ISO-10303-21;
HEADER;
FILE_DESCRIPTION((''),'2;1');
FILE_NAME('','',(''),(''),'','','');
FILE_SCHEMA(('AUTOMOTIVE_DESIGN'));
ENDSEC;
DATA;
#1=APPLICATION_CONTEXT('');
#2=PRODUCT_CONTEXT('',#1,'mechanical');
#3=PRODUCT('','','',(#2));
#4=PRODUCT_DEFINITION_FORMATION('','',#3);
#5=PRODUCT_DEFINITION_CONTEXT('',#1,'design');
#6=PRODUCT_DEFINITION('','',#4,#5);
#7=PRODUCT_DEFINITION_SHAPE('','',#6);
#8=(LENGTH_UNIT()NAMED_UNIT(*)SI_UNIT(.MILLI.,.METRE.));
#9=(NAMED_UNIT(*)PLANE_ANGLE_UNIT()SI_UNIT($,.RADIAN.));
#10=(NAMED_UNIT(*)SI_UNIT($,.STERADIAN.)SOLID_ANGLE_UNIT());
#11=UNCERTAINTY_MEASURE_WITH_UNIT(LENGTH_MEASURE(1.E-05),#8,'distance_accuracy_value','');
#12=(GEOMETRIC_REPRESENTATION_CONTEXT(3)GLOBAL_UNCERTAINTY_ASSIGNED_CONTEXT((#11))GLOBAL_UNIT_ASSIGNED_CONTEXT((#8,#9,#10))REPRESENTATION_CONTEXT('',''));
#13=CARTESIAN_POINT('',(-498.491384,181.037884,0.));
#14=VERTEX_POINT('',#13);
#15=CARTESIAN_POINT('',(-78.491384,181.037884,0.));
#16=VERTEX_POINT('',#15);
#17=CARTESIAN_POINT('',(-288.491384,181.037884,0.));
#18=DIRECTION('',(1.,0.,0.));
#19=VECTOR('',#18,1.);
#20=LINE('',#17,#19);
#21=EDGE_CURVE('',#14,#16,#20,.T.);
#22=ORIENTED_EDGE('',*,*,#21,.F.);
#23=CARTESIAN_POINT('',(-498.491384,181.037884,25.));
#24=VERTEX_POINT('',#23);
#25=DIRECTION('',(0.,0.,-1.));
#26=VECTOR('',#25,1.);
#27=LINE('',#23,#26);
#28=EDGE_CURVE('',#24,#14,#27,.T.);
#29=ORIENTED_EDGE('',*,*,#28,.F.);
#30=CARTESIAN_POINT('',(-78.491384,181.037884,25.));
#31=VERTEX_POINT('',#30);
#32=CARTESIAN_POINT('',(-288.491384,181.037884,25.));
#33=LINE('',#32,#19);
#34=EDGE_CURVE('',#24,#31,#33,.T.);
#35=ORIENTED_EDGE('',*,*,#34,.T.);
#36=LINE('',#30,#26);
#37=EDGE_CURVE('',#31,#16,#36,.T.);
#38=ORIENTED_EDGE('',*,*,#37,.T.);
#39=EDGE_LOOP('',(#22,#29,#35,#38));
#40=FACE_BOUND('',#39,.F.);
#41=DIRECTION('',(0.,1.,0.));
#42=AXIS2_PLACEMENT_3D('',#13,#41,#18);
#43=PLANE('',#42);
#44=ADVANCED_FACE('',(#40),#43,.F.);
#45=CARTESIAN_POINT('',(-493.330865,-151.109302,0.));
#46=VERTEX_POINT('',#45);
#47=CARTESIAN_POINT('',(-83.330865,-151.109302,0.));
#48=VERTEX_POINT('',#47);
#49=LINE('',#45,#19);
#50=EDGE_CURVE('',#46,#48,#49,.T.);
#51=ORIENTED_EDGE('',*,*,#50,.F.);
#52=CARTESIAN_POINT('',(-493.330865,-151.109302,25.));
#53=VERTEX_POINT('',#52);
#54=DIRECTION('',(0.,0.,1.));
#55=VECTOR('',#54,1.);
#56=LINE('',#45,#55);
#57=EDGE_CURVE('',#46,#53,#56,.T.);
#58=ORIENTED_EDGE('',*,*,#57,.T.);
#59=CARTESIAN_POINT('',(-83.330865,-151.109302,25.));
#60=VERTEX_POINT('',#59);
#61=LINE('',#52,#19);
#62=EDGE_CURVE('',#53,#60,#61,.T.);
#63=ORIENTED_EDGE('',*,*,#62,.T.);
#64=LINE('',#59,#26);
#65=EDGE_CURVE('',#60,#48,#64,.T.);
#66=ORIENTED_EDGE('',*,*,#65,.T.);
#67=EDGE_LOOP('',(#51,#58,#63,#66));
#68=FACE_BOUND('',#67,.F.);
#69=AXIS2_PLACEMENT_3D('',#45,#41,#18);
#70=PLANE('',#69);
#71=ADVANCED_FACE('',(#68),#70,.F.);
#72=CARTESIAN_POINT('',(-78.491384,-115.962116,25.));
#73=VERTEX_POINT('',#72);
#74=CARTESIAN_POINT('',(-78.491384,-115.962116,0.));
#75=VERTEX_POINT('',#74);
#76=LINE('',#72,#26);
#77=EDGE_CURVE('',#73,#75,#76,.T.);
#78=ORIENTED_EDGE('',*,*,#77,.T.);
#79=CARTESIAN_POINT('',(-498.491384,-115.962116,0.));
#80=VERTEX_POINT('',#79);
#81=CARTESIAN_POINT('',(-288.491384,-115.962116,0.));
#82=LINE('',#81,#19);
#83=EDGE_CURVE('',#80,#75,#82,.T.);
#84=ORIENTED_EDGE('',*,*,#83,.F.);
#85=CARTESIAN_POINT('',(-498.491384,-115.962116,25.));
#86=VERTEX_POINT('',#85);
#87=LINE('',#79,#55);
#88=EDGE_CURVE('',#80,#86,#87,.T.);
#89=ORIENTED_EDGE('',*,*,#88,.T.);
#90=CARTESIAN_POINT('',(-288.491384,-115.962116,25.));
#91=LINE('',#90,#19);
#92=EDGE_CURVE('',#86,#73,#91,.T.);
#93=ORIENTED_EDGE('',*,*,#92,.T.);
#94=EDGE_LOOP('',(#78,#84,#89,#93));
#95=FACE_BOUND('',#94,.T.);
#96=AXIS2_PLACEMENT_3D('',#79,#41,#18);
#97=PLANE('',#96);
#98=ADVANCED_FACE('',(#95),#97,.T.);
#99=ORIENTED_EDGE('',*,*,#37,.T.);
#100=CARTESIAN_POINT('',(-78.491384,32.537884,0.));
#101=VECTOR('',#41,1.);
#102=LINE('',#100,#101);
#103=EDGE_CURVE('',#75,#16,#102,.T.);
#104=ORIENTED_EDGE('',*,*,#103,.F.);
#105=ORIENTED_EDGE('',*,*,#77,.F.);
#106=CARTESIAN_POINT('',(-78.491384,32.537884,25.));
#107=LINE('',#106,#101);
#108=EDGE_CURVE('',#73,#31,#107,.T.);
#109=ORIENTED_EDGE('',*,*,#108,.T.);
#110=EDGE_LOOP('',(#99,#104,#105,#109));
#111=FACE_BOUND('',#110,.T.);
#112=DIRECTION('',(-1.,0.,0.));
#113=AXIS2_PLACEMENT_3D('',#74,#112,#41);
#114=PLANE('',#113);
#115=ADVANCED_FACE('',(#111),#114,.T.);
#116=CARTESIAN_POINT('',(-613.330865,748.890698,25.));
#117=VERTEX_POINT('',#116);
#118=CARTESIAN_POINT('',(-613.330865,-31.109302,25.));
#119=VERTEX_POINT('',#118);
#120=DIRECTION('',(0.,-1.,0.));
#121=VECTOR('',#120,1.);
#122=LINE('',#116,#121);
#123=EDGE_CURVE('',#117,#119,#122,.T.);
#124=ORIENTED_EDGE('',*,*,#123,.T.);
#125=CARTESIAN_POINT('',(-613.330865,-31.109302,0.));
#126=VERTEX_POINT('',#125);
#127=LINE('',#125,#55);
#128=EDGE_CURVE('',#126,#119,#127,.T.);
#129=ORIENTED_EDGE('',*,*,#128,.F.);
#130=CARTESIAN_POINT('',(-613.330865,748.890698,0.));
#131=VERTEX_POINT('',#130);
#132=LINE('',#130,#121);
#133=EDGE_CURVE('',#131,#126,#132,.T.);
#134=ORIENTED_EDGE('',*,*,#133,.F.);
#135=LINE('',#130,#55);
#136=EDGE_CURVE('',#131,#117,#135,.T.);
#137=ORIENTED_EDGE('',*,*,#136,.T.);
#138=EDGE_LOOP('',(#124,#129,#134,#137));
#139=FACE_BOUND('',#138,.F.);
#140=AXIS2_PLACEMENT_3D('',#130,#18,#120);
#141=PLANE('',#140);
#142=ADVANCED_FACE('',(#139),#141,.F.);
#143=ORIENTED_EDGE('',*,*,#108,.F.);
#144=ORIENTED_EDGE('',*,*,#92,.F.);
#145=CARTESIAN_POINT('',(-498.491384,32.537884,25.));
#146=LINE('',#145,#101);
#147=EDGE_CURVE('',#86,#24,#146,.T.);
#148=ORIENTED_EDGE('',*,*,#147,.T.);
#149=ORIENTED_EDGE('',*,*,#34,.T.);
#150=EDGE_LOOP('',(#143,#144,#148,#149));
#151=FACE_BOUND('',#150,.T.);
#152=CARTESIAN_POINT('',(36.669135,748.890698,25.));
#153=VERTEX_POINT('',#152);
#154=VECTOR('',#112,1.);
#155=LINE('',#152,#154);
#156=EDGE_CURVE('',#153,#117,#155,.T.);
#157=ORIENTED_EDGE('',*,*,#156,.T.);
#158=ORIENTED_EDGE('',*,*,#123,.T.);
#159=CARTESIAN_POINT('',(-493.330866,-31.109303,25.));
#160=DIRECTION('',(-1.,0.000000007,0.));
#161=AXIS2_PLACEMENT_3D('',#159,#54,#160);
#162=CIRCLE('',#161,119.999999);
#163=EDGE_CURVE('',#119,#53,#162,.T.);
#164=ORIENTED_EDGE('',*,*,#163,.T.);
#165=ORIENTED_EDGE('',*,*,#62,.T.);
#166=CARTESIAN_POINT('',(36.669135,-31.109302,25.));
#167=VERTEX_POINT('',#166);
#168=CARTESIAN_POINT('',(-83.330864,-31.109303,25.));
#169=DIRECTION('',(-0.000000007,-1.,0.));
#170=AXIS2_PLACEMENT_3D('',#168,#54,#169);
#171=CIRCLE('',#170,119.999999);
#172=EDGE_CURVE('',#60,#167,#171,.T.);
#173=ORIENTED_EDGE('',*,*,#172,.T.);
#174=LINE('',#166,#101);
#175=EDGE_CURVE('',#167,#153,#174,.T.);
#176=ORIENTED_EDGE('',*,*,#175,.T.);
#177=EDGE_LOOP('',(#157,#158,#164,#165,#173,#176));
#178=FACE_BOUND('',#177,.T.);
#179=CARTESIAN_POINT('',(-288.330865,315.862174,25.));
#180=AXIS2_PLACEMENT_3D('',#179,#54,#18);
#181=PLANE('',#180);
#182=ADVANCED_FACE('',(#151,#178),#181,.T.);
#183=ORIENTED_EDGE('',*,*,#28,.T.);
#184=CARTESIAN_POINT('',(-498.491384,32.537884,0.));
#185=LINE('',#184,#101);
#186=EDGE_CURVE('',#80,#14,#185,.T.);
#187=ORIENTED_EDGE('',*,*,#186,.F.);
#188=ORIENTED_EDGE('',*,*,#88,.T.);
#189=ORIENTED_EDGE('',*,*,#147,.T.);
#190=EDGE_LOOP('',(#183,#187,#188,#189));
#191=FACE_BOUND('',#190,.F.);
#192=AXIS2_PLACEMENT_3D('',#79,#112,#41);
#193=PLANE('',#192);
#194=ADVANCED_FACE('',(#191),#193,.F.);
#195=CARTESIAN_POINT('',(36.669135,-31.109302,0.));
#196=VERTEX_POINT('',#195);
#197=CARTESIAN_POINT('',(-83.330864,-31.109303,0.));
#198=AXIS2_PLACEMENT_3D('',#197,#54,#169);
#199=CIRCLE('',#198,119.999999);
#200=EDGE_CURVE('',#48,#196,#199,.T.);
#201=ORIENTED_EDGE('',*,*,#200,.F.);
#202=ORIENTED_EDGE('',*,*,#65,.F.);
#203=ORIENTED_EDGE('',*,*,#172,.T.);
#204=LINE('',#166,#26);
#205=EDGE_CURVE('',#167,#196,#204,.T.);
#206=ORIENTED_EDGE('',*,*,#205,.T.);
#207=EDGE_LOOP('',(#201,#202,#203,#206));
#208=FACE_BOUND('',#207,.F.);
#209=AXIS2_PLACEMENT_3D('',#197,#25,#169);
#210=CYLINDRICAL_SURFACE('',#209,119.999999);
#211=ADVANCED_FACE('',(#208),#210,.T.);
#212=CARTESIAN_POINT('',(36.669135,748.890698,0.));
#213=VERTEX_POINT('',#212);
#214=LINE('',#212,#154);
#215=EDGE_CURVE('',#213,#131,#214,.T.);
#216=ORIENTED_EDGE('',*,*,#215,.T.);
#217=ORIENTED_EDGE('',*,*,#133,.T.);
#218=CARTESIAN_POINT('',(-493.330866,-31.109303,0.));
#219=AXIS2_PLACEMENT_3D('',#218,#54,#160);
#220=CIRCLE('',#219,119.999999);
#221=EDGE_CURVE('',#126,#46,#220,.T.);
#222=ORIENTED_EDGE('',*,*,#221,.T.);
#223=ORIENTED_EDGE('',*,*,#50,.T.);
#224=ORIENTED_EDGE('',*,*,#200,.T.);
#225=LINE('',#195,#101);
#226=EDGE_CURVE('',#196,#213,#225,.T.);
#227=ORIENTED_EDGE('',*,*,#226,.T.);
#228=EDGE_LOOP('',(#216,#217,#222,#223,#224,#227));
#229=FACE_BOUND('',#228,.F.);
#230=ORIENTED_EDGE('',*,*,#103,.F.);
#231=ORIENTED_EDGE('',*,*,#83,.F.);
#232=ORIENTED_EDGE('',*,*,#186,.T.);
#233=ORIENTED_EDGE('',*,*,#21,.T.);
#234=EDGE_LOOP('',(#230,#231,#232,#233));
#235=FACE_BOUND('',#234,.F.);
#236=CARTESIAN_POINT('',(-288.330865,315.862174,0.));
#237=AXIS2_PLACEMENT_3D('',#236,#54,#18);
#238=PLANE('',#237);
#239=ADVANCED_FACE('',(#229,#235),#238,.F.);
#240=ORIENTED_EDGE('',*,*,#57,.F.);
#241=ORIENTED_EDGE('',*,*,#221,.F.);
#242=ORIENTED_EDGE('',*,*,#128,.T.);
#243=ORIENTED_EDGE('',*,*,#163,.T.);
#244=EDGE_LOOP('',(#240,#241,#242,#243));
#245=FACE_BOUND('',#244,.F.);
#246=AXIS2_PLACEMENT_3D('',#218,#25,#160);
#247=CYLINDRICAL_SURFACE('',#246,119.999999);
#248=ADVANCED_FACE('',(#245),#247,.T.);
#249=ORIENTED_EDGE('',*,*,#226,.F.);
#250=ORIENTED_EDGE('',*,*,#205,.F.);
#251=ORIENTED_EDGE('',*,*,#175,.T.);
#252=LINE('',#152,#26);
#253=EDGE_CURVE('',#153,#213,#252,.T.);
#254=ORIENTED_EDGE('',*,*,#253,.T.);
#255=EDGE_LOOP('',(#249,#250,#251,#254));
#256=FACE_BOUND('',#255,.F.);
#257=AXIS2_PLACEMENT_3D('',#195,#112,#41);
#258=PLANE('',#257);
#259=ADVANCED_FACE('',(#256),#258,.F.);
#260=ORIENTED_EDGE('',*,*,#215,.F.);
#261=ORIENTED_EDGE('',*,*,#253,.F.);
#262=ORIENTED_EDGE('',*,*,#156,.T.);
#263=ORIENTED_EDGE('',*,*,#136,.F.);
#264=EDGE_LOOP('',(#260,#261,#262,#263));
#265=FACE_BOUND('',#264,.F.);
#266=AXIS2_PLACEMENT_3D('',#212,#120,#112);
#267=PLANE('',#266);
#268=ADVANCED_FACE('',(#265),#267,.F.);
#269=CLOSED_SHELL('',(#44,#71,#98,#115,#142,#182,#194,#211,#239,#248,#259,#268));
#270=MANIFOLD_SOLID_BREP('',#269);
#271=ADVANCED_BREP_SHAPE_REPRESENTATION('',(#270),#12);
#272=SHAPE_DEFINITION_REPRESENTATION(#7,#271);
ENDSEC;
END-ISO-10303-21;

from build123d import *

# Parameters (mm, degrees)
F0_W     = 420
F0_H     = 297
F1_DEPTH = 18
F2_DEPTH = 25


with BuildPart() as f1:
    # F0 (on Top) → F1 (new body)
    with BuildSketch(Plane.XY):
        with BuildLine():
            Line((36.669135, 748.890698), (-613.330865, 748.890698))
            Line((-613.330865, 748.890698), (-613.330865, -31.109302))
            ThreePointArc((-613.330865, -31.109302), (-578.183679, -115.962116), (-493.330865, -151.109302))
            Line((-493.330865, -151.109302), (-83.330865, -151.109302))
            ThreePointArc((-83.330865, -151.109302), (1.521949, -115.962116), (36.669135, -31.109302))
            Line((36.669135, -31.109302), (36.669135, 748.890698))
        make_face()
        with Locations((-288.491384, 32.537884)):
            Rectangle(F0_W, F0_H, mode=Mode.SUBTRACT)
    extrude(amount=F1_DEPTH)

    # F0 (on Top) → F2 (join)
    with BuildSketch(Plane.XY):
        with BuildLine():
            Line((36.669135, 748.890698), (-613.330865, 748.890698))
            Line((-613.330865, 748.890698), (-613.330865, -31.109302))
            ThreePointArc((-613.330865, -31.109302), (-578.183679, -115.962116), (-493.330865, -151.109302))
            Line((-493.330865, -151.109302), (-83.330865, -151.109302))
            ThreePointArc((-83.330865, -151.109302), (1.521949, -115.962116), (36.669135, -31.109302))
            Line((36.669135, -31.109302), (36.669135, 748.890698))
        make_face()
        with Locations((-288.491384, 32.537884)):
            Rectangle(F0_W, F0_H, mode=Mode.SUBTRACT)
    extrude(amount=F2_DEPTH)


solid = f1.part
